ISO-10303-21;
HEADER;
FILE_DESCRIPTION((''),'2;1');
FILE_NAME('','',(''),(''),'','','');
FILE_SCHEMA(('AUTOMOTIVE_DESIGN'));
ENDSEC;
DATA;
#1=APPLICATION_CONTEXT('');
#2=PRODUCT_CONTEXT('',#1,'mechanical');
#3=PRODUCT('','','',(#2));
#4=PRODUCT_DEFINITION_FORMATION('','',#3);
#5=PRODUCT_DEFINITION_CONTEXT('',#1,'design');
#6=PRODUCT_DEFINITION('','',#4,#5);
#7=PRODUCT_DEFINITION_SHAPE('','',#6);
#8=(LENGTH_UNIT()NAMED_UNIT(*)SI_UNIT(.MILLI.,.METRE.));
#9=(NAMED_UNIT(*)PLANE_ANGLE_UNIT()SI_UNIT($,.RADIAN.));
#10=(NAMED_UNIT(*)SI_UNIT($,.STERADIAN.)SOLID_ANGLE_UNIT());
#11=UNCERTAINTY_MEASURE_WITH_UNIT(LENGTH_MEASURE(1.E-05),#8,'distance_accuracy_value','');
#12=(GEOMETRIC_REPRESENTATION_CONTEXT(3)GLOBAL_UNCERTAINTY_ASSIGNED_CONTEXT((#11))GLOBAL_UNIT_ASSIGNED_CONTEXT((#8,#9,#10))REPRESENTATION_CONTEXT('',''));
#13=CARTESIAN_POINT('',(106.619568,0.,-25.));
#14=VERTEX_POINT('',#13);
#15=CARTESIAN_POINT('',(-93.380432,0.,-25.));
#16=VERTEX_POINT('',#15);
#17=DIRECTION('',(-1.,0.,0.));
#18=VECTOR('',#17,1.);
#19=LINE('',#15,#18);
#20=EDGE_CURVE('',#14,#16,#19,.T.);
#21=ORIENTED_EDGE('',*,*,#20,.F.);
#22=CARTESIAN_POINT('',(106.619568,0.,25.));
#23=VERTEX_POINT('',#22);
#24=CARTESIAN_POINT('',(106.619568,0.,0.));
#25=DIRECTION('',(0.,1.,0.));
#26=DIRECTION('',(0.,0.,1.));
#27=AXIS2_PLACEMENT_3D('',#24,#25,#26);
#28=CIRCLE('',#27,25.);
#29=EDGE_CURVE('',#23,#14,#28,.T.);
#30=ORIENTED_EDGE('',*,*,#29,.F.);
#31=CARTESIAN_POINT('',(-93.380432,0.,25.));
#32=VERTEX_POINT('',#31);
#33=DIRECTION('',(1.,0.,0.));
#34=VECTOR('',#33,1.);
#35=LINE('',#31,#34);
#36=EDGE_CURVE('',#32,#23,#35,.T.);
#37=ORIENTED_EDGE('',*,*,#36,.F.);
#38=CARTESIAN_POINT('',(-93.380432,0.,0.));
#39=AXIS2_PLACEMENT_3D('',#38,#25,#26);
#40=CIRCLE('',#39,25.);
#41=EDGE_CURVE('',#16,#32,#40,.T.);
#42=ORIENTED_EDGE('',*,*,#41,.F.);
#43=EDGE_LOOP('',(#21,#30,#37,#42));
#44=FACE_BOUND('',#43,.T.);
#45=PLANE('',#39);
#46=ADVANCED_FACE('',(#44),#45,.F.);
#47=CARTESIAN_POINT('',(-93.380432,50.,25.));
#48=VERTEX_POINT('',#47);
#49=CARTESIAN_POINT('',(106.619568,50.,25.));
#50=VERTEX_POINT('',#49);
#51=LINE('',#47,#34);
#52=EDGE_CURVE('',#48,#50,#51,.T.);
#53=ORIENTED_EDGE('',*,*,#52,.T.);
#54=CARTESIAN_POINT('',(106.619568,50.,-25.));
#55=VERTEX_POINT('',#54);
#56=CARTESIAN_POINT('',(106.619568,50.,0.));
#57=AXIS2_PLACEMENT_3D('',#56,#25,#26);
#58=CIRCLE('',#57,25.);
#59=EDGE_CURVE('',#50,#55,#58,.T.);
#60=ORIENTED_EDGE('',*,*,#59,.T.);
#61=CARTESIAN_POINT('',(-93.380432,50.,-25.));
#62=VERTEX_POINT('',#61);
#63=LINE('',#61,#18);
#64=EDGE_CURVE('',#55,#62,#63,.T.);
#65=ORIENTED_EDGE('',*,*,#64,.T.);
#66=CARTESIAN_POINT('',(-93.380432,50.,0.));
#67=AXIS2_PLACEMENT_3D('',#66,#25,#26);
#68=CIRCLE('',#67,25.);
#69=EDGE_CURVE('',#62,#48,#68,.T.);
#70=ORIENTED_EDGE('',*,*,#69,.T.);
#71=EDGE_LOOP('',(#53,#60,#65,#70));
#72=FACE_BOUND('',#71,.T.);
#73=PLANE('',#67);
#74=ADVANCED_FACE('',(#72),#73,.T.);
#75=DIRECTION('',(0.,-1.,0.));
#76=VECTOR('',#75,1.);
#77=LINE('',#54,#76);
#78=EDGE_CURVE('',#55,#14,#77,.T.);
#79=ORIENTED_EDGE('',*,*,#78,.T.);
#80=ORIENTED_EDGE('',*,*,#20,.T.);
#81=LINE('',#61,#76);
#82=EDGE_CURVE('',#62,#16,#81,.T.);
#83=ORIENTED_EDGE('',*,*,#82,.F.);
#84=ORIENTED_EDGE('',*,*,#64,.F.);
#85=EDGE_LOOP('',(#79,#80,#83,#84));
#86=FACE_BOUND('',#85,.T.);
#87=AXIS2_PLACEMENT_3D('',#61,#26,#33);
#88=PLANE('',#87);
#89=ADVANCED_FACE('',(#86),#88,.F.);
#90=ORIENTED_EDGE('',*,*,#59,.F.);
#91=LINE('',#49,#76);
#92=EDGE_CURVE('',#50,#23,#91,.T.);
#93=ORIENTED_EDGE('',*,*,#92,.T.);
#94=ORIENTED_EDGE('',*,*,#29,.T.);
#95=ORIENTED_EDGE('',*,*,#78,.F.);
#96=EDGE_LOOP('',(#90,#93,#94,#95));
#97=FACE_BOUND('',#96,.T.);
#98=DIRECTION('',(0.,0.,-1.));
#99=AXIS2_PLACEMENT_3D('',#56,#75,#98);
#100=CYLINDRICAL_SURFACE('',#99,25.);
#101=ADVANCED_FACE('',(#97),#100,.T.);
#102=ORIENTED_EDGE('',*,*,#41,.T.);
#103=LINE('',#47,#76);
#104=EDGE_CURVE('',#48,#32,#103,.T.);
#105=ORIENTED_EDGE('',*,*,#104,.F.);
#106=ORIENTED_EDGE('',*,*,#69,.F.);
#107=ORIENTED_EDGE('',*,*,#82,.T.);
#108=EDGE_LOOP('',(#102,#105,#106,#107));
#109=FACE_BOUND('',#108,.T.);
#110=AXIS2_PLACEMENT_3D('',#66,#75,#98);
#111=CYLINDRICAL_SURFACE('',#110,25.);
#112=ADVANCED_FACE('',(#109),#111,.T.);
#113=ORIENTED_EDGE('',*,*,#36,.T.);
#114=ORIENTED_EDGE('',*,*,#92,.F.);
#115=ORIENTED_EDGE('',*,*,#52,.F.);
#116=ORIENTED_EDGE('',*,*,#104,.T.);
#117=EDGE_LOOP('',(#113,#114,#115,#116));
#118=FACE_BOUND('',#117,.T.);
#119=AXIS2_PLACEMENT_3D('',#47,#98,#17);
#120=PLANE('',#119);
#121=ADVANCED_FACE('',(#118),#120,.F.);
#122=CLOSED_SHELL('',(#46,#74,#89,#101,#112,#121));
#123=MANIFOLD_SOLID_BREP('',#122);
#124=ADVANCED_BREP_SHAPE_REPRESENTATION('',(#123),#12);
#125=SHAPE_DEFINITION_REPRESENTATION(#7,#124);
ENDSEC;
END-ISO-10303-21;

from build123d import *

# Parameters (mm, degrees)
Y_KSEKLIK_EKSTR_ZYON1_DEPTH = 50


with BuildPart() as part:
    # Çizim1 → Yükseklik-Ekstrüzyon1 (new body)
    with BuildSketch(Plane(origin=(0, 0, 0), x_dir=(1, 0, 0), z_dir=(0, 1, 0))):
        with BuildLine():
            Line((-93.380431614, 25), (106.619568386, 25))
            ThreePointArc((106.619568386, 25), (131.619568386, 0), (106.619568386, -25))
            Line((106.619568386, -25), (-93.380431614, -25))
            ThreePointArc((-93.380431614, -25), (-118.380431614, 0), (-93.380431614, 25))
        make_face()
    extrude(amount=Y_KSEKLIK_EKSTR_ZYON1_DEPTH)


solid = part.part
